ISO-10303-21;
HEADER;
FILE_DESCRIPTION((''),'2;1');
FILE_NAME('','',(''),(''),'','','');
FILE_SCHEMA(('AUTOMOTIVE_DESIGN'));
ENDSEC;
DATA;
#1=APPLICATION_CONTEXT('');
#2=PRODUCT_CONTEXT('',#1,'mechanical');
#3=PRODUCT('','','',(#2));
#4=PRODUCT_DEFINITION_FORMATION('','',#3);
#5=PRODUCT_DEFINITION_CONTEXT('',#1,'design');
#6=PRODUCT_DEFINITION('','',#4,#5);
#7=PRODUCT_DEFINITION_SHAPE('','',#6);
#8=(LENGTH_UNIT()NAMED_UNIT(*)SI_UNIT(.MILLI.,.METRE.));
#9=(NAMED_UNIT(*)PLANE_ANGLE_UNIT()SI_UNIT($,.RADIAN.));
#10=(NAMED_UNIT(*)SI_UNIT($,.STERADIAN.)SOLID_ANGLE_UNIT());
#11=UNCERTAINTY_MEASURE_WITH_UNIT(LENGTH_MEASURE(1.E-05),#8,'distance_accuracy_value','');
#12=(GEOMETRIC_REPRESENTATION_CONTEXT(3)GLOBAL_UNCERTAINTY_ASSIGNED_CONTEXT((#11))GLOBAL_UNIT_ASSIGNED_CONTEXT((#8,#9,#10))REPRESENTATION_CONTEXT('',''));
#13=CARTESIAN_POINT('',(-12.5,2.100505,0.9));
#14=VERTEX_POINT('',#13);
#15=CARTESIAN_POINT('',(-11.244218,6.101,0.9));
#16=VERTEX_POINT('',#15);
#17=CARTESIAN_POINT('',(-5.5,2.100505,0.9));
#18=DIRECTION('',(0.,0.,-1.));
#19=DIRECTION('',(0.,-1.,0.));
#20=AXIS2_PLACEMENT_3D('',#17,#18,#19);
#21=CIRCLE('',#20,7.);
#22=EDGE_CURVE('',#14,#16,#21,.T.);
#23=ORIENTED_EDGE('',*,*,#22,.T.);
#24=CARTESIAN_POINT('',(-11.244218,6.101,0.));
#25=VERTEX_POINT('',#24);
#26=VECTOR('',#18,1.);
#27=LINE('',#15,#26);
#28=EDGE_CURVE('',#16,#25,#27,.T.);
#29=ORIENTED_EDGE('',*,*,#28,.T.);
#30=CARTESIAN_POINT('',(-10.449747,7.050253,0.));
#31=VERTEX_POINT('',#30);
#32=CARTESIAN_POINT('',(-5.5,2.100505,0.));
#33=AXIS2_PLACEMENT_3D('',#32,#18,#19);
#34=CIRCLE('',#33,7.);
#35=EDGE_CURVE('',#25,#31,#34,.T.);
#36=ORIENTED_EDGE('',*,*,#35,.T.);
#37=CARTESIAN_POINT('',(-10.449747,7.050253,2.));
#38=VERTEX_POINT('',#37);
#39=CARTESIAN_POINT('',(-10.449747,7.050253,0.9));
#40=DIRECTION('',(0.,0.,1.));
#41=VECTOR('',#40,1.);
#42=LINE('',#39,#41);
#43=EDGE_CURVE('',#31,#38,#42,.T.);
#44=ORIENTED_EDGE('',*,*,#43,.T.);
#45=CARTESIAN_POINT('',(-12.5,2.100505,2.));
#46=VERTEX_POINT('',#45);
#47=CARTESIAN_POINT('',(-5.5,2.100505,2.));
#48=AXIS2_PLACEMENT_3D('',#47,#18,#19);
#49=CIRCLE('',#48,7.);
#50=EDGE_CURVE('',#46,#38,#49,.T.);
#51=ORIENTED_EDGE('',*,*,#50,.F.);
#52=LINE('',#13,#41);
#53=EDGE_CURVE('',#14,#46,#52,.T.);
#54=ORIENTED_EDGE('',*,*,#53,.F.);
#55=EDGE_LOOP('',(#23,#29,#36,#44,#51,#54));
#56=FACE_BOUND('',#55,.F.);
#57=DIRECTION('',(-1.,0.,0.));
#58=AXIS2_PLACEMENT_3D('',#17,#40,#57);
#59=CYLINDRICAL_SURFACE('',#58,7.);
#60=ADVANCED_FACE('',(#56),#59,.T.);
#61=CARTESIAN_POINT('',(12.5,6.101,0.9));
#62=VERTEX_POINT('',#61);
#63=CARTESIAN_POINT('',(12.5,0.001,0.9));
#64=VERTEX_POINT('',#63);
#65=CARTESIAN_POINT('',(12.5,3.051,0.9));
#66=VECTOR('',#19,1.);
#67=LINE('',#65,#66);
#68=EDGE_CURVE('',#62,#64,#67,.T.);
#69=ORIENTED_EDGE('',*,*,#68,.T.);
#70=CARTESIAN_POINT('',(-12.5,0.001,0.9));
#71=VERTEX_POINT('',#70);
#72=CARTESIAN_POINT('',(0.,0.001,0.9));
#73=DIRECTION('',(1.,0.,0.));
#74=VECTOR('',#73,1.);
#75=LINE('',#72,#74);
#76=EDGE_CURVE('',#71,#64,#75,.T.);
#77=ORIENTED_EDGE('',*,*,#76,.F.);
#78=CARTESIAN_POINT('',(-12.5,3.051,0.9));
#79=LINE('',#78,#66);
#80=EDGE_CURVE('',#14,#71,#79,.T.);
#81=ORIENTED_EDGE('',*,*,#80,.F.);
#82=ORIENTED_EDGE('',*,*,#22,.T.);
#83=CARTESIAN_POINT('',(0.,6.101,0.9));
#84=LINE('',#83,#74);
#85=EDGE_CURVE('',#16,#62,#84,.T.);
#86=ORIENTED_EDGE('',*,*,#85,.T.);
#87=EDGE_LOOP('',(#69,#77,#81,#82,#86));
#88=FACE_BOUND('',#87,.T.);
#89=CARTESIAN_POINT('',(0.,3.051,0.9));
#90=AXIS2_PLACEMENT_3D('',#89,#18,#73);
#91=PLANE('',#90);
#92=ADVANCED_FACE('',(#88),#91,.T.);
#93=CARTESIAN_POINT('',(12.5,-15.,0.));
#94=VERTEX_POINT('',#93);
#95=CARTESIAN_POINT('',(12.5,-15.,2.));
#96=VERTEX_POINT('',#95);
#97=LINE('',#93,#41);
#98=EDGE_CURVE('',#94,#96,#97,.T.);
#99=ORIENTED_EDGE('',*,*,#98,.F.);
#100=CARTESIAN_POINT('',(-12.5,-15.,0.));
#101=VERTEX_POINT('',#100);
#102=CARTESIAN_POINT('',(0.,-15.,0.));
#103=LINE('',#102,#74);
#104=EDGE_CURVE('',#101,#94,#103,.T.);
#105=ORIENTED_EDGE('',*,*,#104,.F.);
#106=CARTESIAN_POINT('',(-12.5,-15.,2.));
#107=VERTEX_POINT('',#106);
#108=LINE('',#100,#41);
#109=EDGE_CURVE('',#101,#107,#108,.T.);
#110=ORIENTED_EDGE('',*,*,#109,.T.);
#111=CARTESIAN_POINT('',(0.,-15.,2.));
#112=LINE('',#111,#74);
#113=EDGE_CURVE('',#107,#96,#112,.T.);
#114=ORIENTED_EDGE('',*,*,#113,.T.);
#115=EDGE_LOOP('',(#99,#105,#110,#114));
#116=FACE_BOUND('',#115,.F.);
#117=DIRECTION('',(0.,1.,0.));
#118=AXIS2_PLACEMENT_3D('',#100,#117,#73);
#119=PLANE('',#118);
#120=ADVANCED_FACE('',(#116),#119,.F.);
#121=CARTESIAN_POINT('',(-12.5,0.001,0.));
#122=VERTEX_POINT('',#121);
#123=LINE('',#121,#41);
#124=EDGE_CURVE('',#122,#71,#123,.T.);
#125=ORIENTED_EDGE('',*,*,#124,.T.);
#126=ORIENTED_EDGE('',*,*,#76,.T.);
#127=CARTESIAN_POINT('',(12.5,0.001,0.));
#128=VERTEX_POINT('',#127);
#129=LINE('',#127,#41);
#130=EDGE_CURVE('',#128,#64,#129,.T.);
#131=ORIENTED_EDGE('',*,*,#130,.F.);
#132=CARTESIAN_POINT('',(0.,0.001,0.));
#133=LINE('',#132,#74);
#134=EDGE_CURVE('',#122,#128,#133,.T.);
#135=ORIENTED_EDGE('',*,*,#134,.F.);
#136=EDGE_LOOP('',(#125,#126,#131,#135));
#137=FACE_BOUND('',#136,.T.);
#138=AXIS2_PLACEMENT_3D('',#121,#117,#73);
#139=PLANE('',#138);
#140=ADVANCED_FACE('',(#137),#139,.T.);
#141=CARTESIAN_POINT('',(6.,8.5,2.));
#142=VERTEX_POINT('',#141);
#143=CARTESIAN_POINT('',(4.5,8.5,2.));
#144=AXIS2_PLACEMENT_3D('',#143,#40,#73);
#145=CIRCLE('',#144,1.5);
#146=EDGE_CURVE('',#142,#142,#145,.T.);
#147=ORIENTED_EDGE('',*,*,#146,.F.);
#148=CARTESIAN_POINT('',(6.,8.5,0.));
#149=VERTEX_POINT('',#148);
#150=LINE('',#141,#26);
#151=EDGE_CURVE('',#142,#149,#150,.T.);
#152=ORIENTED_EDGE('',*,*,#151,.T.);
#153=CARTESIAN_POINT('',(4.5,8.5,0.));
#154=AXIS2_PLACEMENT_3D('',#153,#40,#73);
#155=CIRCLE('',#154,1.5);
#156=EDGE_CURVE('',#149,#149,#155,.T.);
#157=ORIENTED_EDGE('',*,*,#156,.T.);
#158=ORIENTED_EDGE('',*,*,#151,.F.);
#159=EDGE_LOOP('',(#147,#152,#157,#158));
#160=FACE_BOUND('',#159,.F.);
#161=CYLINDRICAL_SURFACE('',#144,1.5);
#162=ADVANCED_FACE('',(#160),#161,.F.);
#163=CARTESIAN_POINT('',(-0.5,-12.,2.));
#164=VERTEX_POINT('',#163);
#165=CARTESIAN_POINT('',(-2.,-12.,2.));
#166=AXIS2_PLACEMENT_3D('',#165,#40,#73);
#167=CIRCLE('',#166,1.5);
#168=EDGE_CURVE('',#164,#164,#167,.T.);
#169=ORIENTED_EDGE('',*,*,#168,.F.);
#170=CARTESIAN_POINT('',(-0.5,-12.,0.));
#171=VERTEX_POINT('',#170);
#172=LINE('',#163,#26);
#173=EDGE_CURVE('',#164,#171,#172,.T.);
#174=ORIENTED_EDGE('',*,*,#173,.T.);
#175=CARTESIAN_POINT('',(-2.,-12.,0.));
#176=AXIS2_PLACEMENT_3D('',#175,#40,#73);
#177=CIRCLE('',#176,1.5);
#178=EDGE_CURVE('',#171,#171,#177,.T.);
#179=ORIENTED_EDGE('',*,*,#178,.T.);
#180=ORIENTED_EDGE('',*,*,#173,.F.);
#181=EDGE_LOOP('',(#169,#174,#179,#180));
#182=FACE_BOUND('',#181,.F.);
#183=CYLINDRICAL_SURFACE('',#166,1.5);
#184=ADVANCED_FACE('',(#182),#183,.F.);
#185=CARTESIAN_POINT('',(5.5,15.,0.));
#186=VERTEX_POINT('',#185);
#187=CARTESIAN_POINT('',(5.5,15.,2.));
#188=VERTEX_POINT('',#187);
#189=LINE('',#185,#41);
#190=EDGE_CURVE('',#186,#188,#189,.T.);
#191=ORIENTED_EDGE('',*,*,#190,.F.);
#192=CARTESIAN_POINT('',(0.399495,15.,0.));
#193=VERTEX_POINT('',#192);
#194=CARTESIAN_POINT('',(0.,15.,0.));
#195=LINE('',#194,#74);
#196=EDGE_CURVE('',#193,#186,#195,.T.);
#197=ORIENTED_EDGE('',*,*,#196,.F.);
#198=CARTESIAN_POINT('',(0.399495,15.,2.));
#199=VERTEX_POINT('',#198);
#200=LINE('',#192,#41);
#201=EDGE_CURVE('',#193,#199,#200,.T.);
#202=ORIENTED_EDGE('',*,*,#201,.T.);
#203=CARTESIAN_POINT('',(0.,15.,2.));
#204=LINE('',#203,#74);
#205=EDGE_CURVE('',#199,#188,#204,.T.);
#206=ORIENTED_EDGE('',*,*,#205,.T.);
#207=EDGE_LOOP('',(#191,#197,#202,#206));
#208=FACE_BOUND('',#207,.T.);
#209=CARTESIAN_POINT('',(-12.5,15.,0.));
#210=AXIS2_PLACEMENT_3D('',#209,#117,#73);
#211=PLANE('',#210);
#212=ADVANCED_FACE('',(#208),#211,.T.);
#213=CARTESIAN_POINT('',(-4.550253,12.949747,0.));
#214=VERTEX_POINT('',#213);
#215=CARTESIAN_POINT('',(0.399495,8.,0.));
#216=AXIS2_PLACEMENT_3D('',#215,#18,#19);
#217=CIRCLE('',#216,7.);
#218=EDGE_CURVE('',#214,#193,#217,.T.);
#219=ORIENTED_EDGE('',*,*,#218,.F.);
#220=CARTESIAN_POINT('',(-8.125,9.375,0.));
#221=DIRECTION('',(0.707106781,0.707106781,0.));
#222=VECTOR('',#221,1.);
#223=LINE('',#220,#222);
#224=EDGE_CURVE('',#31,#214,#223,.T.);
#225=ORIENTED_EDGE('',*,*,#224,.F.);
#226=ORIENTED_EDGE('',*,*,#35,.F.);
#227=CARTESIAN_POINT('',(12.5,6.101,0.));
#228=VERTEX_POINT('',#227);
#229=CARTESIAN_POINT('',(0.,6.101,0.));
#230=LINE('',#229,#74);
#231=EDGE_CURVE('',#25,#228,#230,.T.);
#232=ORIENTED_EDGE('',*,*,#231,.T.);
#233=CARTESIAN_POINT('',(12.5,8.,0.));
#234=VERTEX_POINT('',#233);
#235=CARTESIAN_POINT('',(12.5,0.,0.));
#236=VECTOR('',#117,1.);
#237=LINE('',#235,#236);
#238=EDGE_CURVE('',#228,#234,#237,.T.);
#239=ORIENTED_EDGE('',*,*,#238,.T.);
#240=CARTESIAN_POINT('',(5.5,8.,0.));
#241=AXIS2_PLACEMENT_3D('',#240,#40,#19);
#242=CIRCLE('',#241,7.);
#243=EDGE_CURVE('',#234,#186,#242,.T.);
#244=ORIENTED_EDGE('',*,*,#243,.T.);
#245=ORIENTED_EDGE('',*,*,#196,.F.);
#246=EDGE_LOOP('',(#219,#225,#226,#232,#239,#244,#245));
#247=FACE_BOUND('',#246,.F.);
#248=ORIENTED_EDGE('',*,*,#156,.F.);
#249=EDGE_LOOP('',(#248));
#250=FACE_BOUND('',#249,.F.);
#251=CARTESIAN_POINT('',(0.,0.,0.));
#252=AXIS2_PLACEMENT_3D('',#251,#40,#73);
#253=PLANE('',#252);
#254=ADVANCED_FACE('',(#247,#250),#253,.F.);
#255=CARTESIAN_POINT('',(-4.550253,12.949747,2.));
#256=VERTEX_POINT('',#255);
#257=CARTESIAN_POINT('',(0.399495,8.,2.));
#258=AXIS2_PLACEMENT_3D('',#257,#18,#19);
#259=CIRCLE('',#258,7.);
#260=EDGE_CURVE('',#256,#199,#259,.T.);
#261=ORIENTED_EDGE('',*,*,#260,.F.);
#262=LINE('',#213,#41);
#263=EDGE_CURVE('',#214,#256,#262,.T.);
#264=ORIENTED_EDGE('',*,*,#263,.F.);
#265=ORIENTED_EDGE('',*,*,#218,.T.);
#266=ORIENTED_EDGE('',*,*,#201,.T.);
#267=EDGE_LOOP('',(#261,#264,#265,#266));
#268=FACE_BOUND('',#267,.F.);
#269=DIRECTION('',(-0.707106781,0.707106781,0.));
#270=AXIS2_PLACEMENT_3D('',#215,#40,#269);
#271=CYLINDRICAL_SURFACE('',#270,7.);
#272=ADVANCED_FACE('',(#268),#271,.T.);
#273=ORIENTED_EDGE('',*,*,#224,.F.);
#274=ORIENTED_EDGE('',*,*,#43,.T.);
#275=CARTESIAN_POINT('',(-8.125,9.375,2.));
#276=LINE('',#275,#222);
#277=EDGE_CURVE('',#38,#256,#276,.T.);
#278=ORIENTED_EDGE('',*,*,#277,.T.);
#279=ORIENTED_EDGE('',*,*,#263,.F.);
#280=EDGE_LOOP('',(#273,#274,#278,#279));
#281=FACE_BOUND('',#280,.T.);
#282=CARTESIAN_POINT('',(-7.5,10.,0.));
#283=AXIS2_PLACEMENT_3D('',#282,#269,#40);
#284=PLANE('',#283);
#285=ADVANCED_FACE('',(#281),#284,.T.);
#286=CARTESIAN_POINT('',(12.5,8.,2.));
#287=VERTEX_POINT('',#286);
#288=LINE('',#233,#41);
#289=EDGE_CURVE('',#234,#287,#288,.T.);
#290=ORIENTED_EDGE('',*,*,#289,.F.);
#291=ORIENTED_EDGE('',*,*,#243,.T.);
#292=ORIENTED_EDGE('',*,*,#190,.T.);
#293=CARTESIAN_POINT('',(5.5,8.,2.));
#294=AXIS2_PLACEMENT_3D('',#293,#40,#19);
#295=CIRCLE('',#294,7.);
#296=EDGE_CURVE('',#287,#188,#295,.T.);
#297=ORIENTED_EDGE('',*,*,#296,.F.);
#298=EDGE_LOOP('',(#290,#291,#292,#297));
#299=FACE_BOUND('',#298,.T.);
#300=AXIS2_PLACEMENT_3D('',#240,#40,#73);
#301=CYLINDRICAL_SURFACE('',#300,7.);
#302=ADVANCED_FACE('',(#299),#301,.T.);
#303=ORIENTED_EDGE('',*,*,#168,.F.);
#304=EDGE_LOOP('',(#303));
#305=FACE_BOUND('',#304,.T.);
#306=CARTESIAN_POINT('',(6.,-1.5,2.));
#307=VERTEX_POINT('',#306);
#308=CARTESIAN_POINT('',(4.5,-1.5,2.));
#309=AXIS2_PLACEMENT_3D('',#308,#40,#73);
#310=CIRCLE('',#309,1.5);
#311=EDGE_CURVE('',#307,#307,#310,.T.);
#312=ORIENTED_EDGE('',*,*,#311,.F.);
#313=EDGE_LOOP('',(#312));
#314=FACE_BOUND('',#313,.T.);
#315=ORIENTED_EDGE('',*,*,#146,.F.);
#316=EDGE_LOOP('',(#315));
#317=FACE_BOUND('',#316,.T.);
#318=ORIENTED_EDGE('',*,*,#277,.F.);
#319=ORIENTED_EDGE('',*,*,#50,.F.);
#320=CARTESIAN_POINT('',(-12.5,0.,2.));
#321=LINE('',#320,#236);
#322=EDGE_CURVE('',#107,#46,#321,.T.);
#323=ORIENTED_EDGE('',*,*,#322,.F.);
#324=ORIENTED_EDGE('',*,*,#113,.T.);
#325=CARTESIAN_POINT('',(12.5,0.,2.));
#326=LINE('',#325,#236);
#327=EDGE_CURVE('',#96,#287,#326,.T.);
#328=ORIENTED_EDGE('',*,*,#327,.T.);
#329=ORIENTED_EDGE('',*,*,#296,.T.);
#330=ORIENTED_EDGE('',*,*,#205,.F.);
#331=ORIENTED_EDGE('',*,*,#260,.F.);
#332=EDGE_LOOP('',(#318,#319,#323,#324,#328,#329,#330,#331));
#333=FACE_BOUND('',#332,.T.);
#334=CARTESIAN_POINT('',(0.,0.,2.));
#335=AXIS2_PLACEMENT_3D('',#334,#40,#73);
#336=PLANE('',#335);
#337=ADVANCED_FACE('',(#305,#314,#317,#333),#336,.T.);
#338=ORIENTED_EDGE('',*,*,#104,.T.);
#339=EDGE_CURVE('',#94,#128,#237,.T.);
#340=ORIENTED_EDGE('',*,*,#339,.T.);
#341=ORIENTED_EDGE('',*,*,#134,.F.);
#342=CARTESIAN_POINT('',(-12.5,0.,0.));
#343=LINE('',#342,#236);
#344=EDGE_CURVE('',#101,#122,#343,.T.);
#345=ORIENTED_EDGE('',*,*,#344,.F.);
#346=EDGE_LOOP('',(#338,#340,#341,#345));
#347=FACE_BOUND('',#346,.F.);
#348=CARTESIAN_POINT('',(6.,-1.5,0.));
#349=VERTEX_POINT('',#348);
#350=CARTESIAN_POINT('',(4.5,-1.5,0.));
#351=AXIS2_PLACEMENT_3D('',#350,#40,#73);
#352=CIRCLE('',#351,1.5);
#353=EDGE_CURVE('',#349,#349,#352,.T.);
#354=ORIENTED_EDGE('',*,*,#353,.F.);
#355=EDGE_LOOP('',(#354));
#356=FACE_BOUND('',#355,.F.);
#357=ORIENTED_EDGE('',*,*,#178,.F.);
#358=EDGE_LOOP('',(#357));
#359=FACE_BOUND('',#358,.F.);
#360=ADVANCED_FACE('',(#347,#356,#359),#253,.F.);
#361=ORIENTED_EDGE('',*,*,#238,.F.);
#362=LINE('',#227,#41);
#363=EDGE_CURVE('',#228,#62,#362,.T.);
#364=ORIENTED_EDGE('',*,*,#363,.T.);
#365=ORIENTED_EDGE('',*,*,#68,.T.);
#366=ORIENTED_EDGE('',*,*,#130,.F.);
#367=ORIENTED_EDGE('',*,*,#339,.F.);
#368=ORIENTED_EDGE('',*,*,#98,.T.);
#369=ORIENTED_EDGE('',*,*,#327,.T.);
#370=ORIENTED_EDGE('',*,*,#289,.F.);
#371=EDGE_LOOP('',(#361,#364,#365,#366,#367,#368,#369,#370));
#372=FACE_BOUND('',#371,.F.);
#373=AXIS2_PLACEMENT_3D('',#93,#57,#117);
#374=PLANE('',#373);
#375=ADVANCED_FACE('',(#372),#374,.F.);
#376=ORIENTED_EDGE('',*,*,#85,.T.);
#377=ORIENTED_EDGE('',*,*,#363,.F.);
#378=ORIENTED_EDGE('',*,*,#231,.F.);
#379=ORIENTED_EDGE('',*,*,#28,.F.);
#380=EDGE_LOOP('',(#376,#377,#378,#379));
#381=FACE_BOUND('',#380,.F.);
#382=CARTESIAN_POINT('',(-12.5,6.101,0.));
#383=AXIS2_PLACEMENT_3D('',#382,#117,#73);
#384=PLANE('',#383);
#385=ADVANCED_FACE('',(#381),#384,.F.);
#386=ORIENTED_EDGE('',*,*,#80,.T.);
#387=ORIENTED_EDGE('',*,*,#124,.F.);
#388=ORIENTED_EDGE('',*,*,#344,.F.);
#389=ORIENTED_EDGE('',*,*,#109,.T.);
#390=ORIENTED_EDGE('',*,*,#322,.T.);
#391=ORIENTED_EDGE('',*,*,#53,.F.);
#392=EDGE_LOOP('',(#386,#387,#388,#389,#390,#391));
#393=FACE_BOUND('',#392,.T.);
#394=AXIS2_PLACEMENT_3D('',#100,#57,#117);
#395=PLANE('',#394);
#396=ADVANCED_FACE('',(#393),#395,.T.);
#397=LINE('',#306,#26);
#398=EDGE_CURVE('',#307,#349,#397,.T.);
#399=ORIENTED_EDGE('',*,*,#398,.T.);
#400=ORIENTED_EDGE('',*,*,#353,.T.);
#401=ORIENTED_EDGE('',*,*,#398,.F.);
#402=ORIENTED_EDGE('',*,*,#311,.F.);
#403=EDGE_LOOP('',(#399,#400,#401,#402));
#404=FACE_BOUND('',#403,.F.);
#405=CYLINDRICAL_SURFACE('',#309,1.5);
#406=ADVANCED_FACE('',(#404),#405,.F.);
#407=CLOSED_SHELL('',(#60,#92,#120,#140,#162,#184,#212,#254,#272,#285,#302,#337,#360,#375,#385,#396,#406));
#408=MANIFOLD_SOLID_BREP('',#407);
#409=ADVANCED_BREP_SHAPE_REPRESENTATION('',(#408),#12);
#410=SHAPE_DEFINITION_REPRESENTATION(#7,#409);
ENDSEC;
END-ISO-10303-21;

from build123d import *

# Parameters (mm, degrees)
F0_W     = 25
F0_H     = 30
F1_DEPTH = 2
F2_R     = 1.5
F3_DEPTH = 2.001
F4_W     = 25
F4_H     = 6.1
F5_DEPTH = 0.9
F6_SIZE  = 10
F7_R     = 7


with BuildPart() as f1:
    # F0 (on Top) → F1 (new body)
    with BuildSketch(Plane.XY):
        Rectangle(F0_W, F0_H)
    extrude(amount=F1_DEPTH)

    # F2 (on face) → F3 (cut, through all)
    with BuildSketch(Plane.XY.offset(2)):
        with Locations((-2, -12)):
            Circle(F2_R)
        with Locations((4.5, -1.5)):
            Circle(F2_R)
        with Locations((4.5, 8.5)):
            Circle(F2_R)
    extrude(amount=-F3_DEPTH, mode=Mode.SUBTRACT)

    # F4 (on face) → F5 (cut)
    with BuildSketch(Plane(origin=(0, 0, 0), x_dir=(1, 0, 0), z_dir=(0, 0, -1))):
        with Locations((0, -3.051)):
            Rectangle(F4_W, F4_H)
    extrude(amount=-F5_DEPTH, mode=Mode.SUBTRACT)

    # F6
    f6_edges = [f1.edges().sort_by_distance(p)[0] for p in [
        (-12.5, 15, 1),
    ]]
    chamfer(f6_edges, length=F6_SIZE)

    # F7
    f7_edges = [f1.edges().sort_by_distance(p)[0] for p in [
        (-12.5, 5, 1.45),
        (-2.5, 15, 1),
        (12.5, 15, 1),
    ]]
    fillet(f7_edges, radius=F7_R)


solid = f1.part
